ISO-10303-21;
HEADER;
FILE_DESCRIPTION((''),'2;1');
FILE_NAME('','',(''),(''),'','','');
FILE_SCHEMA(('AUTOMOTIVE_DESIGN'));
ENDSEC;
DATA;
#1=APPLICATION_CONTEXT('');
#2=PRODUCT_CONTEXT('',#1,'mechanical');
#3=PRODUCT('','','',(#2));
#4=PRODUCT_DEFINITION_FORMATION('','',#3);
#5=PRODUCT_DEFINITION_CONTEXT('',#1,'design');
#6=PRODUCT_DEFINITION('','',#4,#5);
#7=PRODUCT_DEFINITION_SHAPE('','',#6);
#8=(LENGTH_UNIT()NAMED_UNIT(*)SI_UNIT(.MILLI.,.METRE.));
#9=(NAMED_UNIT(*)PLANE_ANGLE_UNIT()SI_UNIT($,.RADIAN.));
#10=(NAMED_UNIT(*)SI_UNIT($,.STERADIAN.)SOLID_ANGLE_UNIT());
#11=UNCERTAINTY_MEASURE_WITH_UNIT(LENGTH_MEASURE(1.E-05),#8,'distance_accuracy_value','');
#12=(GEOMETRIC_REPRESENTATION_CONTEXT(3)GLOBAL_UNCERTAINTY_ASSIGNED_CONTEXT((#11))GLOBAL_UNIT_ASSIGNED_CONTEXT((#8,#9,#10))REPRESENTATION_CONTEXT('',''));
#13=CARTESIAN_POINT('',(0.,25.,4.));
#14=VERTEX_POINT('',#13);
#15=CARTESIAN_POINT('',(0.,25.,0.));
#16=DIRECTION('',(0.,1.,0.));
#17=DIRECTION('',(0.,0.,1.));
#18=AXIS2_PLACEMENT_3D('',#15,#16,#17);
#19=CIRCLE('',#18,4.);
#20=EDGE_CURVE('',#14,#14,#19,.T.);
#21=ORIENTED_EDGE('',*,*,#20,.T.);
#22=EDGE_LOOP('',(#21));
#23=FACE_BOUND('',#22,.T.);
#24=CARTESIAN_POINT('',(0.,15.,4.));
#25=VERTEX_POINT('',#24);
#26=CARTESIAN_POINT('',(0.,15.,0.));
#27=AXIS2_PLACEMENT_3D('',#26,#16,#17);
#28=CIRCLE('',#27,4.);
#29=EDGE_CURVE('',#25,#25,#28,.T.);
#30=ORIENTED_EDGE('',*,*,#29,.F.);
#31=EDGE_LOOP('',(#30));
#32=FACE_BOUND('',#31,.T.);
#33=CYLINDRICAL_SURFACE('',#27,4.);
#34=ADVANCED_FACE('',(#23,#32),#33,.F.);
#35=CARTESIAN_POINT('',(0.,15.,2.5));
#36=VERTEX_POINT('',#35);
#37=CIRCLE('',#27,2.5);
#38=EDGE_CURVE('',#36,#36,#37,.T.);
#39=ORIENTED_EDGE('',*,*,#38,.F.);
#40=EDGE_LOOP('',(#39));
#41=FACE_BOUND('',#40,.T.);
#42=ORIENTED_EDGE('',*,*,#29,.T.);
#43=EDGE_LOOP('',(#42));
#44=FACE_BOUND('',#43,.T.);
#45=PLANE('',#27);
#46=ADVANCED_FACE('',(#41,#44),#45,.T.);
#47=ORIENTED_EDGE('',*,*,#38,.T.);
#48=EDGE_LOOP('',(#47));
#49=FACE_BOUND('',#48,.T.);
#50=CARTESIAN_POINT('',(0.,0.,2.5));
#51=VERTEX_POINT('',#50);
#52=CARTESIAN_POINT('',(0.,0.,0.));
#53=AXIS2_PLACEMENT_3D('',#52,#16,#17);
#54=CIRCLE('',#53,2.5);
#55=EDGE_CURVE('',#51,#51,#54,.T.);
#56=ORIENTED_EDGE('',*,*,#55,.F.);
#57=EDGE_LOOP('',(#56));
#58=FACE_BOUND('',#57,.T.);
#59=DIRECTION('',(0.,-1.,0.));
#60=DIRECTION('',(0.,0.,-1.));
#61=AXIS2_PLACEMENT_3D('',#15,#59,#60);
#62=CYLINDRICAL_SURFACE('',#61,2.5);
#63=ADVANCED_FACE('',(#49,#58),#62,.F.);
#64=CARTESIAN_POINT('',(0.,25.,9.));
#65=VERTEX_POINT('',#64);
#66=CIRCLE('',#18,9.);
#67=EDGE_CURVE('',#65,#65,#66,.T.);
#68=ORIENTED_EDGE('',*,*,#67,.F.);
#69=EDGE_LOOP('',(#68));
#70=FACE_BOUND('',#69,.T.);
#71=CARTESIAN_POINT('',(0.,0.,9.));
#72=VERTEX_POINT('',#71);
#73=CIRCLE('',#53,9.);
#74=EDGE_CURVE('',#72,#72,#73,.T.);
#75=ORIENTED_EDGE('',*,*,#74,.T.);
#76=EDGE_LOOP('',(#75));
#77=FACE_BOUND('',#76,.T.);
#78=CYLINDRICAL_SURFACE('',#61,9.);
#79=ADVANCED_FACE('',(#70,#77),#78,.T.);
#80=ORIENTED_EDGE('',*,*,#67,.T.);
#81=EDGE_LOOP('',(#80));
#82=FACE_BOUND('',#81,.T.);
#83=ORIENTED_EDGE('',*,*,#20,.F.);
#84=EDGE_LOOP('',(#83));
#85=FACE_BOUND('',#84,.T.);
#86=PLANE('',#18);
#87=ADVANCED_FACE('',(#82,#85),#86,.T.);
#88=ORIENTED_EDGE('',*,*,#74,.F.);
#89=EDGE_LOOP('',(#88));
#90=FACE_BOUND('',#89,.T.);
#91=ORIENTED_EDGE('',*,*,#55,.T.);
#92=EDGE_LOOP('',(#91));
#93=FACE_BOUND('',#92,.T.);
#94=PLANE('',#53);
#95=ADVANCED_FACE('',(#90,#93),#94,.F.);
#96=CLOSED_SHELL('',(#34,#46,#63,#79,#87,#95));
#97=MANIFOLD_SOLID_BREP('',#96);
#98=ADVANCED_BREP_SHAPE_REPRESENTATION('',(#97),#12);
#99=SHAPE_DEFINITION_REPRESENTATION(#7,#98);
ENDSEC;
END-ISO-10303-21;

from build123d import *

# Parameters (mm, degrees)
SKETCH_1_R          = 9
SKETCH_1_R_2        = 2.5
EXTRUDE_1_DEPTH     = 25
SKETCH_2_R          = 4
CUT_EXTRUDE_1_DEPTH = 10


with BuildPart() as part:
    # Эскиз1 → Бобышка-Вытянуть1 (new body)
    with BuildSketch(Plane(origin=(0, 0, 0), x_dir=(1, 0, 0), z_dir=(0, 1, 0))):
        with Locations(Location((0, 0, 0), (0, 0, 270))):
            Circle(SKETCH_1_R)
        with Locations(Location((0, 0, 0), (0, 0, 270))):
            Circle(SKETCH_1_R_2, mode=Mode.SUBTRACT)
    extrude(amount=EXTRUDE_1_DEPTH)

    # Эскиз2 → Вырез-Вытянуть1 (cut)
    with BuildSketch(Plane(origin=(0, 25, 0), x_dir=(1, 0, 0), z_dir=(0, 1, 0))):
        with Locations(Location((0, 0, 0), (0, 0, 270))):
            Circle(SKETCH_2_R)
    extrude(amount=-CUT_EXTRUDE_1_DEPTH, mode=Mode.SUBTRACT)


solid = part.part
